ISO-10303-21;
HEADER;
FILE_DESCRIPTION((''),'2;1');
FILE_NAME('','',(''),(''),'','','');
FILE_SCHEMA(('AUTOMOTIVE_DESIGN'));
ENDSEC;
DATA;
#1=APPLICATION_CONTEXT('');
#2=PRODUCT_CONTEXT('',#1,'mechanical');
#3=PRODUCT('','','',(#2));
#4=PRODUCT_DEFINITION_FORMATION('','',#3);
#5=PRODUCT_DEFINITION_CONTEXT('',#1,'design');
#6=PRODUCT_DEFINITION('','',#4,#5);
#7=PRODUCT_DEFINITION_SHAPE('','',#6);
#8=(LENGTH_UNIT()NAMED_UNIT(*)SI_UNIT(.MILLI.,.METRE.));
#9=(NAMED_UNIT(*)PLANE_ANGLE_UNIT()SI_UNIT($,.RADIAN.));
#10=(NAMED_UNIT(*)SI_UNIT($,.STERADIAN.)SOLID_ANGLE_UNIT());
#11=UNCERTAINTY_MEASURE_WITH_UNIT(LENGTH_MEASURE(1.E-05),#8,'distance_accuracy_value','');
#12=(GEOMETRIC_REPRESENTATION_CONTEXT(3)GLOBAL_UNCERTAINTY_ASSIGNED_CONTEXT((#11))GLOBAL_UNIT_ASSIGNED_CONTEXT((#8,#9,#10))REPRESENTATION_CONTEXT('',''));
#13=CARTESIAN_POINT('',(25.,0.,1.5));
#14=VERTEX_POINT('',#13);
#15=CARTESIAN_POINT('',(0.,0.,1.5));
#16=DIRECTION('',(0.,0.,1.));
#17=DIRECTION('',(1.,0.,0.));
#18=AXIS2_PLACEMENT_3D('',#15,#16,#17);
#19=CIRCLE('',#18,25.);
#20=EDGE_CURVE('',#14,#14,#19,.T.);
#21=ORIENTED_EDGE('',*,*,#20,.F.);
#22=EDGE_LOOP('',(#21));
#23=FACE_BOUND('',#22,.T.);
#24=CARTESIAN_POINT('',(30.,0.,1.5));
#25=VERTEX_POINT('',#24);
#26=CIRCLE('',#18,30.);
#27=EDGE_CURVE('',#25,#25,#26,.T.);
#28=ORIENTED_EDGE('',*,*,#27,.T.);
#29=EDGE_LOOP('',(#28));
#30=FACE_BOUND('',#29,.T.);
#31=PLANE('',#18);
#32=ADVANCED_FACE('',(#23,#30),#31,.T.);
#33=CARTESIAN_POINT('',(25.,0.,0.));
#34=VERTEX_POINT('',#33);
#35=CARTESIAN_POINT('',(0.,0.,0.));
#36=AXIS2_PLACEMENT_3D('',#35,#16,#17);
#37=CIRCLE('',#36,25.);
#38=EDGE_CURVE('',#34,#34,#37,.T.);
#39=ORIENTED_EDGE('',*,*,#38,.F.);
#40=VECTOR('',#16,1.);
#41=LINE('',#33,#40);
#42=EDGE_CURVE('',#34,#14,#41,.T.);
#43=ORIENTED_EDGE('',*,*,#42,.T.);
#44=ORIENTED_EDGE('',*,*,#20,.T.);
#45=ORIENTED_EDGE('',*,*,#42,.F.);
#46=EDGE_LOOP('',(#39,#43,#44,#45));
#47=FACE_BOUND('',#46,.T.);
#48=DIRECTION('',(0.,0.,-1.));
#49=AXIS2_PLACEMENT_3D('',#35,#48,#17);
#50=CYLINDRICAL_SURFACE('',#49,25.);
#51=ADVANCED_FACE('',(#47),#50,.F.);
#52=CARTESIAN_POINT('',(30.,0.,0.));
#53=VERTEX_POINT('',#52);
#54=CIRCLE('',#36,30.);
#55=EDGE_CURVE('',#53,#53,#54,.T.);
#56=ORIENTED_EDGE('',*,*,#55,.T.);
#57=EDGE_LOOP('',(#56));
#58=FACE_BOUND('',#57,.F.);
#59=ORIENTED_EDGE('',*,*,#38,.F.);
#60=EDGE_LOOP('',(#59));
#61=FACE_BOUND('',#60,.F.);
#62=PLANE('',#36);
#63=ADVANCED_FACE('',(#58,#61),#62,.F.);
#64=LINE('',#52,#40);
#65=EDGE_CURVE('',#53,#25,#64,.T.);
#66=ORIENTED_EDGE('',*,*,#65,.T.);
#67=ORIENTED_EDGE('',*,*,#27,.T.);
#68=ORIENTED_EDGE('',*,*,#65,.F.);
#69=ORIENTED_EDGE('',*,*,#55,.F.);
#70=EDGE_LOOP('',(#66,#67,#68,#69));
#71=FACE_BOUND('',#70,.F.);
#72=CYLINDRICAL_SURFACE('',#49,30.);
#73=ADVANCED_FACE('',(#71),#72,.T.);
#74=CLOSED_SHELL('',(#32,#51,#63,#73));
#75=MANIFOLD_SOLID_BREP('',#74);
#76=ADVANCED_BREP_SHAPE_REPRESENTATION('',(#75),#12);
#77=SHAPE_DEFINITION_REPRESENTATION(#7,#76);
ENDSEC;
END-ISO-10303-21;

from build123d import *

# Parameters (mm, degrees)
SKETCH_R   = 30
SKETCH_R_2 = 25
PAD_DEPTH  = 1.5


with BuildPart() as part:
    # Sketch → Pad (new body)
    with BuildSketch(Plane.XY):
        Circle(SKETCH_R)
        Circle(SKETCH_R_2, mode=Mode.SUBTRACT)
    extrude(amount=PAD_DEPTH)


solid = part.part
